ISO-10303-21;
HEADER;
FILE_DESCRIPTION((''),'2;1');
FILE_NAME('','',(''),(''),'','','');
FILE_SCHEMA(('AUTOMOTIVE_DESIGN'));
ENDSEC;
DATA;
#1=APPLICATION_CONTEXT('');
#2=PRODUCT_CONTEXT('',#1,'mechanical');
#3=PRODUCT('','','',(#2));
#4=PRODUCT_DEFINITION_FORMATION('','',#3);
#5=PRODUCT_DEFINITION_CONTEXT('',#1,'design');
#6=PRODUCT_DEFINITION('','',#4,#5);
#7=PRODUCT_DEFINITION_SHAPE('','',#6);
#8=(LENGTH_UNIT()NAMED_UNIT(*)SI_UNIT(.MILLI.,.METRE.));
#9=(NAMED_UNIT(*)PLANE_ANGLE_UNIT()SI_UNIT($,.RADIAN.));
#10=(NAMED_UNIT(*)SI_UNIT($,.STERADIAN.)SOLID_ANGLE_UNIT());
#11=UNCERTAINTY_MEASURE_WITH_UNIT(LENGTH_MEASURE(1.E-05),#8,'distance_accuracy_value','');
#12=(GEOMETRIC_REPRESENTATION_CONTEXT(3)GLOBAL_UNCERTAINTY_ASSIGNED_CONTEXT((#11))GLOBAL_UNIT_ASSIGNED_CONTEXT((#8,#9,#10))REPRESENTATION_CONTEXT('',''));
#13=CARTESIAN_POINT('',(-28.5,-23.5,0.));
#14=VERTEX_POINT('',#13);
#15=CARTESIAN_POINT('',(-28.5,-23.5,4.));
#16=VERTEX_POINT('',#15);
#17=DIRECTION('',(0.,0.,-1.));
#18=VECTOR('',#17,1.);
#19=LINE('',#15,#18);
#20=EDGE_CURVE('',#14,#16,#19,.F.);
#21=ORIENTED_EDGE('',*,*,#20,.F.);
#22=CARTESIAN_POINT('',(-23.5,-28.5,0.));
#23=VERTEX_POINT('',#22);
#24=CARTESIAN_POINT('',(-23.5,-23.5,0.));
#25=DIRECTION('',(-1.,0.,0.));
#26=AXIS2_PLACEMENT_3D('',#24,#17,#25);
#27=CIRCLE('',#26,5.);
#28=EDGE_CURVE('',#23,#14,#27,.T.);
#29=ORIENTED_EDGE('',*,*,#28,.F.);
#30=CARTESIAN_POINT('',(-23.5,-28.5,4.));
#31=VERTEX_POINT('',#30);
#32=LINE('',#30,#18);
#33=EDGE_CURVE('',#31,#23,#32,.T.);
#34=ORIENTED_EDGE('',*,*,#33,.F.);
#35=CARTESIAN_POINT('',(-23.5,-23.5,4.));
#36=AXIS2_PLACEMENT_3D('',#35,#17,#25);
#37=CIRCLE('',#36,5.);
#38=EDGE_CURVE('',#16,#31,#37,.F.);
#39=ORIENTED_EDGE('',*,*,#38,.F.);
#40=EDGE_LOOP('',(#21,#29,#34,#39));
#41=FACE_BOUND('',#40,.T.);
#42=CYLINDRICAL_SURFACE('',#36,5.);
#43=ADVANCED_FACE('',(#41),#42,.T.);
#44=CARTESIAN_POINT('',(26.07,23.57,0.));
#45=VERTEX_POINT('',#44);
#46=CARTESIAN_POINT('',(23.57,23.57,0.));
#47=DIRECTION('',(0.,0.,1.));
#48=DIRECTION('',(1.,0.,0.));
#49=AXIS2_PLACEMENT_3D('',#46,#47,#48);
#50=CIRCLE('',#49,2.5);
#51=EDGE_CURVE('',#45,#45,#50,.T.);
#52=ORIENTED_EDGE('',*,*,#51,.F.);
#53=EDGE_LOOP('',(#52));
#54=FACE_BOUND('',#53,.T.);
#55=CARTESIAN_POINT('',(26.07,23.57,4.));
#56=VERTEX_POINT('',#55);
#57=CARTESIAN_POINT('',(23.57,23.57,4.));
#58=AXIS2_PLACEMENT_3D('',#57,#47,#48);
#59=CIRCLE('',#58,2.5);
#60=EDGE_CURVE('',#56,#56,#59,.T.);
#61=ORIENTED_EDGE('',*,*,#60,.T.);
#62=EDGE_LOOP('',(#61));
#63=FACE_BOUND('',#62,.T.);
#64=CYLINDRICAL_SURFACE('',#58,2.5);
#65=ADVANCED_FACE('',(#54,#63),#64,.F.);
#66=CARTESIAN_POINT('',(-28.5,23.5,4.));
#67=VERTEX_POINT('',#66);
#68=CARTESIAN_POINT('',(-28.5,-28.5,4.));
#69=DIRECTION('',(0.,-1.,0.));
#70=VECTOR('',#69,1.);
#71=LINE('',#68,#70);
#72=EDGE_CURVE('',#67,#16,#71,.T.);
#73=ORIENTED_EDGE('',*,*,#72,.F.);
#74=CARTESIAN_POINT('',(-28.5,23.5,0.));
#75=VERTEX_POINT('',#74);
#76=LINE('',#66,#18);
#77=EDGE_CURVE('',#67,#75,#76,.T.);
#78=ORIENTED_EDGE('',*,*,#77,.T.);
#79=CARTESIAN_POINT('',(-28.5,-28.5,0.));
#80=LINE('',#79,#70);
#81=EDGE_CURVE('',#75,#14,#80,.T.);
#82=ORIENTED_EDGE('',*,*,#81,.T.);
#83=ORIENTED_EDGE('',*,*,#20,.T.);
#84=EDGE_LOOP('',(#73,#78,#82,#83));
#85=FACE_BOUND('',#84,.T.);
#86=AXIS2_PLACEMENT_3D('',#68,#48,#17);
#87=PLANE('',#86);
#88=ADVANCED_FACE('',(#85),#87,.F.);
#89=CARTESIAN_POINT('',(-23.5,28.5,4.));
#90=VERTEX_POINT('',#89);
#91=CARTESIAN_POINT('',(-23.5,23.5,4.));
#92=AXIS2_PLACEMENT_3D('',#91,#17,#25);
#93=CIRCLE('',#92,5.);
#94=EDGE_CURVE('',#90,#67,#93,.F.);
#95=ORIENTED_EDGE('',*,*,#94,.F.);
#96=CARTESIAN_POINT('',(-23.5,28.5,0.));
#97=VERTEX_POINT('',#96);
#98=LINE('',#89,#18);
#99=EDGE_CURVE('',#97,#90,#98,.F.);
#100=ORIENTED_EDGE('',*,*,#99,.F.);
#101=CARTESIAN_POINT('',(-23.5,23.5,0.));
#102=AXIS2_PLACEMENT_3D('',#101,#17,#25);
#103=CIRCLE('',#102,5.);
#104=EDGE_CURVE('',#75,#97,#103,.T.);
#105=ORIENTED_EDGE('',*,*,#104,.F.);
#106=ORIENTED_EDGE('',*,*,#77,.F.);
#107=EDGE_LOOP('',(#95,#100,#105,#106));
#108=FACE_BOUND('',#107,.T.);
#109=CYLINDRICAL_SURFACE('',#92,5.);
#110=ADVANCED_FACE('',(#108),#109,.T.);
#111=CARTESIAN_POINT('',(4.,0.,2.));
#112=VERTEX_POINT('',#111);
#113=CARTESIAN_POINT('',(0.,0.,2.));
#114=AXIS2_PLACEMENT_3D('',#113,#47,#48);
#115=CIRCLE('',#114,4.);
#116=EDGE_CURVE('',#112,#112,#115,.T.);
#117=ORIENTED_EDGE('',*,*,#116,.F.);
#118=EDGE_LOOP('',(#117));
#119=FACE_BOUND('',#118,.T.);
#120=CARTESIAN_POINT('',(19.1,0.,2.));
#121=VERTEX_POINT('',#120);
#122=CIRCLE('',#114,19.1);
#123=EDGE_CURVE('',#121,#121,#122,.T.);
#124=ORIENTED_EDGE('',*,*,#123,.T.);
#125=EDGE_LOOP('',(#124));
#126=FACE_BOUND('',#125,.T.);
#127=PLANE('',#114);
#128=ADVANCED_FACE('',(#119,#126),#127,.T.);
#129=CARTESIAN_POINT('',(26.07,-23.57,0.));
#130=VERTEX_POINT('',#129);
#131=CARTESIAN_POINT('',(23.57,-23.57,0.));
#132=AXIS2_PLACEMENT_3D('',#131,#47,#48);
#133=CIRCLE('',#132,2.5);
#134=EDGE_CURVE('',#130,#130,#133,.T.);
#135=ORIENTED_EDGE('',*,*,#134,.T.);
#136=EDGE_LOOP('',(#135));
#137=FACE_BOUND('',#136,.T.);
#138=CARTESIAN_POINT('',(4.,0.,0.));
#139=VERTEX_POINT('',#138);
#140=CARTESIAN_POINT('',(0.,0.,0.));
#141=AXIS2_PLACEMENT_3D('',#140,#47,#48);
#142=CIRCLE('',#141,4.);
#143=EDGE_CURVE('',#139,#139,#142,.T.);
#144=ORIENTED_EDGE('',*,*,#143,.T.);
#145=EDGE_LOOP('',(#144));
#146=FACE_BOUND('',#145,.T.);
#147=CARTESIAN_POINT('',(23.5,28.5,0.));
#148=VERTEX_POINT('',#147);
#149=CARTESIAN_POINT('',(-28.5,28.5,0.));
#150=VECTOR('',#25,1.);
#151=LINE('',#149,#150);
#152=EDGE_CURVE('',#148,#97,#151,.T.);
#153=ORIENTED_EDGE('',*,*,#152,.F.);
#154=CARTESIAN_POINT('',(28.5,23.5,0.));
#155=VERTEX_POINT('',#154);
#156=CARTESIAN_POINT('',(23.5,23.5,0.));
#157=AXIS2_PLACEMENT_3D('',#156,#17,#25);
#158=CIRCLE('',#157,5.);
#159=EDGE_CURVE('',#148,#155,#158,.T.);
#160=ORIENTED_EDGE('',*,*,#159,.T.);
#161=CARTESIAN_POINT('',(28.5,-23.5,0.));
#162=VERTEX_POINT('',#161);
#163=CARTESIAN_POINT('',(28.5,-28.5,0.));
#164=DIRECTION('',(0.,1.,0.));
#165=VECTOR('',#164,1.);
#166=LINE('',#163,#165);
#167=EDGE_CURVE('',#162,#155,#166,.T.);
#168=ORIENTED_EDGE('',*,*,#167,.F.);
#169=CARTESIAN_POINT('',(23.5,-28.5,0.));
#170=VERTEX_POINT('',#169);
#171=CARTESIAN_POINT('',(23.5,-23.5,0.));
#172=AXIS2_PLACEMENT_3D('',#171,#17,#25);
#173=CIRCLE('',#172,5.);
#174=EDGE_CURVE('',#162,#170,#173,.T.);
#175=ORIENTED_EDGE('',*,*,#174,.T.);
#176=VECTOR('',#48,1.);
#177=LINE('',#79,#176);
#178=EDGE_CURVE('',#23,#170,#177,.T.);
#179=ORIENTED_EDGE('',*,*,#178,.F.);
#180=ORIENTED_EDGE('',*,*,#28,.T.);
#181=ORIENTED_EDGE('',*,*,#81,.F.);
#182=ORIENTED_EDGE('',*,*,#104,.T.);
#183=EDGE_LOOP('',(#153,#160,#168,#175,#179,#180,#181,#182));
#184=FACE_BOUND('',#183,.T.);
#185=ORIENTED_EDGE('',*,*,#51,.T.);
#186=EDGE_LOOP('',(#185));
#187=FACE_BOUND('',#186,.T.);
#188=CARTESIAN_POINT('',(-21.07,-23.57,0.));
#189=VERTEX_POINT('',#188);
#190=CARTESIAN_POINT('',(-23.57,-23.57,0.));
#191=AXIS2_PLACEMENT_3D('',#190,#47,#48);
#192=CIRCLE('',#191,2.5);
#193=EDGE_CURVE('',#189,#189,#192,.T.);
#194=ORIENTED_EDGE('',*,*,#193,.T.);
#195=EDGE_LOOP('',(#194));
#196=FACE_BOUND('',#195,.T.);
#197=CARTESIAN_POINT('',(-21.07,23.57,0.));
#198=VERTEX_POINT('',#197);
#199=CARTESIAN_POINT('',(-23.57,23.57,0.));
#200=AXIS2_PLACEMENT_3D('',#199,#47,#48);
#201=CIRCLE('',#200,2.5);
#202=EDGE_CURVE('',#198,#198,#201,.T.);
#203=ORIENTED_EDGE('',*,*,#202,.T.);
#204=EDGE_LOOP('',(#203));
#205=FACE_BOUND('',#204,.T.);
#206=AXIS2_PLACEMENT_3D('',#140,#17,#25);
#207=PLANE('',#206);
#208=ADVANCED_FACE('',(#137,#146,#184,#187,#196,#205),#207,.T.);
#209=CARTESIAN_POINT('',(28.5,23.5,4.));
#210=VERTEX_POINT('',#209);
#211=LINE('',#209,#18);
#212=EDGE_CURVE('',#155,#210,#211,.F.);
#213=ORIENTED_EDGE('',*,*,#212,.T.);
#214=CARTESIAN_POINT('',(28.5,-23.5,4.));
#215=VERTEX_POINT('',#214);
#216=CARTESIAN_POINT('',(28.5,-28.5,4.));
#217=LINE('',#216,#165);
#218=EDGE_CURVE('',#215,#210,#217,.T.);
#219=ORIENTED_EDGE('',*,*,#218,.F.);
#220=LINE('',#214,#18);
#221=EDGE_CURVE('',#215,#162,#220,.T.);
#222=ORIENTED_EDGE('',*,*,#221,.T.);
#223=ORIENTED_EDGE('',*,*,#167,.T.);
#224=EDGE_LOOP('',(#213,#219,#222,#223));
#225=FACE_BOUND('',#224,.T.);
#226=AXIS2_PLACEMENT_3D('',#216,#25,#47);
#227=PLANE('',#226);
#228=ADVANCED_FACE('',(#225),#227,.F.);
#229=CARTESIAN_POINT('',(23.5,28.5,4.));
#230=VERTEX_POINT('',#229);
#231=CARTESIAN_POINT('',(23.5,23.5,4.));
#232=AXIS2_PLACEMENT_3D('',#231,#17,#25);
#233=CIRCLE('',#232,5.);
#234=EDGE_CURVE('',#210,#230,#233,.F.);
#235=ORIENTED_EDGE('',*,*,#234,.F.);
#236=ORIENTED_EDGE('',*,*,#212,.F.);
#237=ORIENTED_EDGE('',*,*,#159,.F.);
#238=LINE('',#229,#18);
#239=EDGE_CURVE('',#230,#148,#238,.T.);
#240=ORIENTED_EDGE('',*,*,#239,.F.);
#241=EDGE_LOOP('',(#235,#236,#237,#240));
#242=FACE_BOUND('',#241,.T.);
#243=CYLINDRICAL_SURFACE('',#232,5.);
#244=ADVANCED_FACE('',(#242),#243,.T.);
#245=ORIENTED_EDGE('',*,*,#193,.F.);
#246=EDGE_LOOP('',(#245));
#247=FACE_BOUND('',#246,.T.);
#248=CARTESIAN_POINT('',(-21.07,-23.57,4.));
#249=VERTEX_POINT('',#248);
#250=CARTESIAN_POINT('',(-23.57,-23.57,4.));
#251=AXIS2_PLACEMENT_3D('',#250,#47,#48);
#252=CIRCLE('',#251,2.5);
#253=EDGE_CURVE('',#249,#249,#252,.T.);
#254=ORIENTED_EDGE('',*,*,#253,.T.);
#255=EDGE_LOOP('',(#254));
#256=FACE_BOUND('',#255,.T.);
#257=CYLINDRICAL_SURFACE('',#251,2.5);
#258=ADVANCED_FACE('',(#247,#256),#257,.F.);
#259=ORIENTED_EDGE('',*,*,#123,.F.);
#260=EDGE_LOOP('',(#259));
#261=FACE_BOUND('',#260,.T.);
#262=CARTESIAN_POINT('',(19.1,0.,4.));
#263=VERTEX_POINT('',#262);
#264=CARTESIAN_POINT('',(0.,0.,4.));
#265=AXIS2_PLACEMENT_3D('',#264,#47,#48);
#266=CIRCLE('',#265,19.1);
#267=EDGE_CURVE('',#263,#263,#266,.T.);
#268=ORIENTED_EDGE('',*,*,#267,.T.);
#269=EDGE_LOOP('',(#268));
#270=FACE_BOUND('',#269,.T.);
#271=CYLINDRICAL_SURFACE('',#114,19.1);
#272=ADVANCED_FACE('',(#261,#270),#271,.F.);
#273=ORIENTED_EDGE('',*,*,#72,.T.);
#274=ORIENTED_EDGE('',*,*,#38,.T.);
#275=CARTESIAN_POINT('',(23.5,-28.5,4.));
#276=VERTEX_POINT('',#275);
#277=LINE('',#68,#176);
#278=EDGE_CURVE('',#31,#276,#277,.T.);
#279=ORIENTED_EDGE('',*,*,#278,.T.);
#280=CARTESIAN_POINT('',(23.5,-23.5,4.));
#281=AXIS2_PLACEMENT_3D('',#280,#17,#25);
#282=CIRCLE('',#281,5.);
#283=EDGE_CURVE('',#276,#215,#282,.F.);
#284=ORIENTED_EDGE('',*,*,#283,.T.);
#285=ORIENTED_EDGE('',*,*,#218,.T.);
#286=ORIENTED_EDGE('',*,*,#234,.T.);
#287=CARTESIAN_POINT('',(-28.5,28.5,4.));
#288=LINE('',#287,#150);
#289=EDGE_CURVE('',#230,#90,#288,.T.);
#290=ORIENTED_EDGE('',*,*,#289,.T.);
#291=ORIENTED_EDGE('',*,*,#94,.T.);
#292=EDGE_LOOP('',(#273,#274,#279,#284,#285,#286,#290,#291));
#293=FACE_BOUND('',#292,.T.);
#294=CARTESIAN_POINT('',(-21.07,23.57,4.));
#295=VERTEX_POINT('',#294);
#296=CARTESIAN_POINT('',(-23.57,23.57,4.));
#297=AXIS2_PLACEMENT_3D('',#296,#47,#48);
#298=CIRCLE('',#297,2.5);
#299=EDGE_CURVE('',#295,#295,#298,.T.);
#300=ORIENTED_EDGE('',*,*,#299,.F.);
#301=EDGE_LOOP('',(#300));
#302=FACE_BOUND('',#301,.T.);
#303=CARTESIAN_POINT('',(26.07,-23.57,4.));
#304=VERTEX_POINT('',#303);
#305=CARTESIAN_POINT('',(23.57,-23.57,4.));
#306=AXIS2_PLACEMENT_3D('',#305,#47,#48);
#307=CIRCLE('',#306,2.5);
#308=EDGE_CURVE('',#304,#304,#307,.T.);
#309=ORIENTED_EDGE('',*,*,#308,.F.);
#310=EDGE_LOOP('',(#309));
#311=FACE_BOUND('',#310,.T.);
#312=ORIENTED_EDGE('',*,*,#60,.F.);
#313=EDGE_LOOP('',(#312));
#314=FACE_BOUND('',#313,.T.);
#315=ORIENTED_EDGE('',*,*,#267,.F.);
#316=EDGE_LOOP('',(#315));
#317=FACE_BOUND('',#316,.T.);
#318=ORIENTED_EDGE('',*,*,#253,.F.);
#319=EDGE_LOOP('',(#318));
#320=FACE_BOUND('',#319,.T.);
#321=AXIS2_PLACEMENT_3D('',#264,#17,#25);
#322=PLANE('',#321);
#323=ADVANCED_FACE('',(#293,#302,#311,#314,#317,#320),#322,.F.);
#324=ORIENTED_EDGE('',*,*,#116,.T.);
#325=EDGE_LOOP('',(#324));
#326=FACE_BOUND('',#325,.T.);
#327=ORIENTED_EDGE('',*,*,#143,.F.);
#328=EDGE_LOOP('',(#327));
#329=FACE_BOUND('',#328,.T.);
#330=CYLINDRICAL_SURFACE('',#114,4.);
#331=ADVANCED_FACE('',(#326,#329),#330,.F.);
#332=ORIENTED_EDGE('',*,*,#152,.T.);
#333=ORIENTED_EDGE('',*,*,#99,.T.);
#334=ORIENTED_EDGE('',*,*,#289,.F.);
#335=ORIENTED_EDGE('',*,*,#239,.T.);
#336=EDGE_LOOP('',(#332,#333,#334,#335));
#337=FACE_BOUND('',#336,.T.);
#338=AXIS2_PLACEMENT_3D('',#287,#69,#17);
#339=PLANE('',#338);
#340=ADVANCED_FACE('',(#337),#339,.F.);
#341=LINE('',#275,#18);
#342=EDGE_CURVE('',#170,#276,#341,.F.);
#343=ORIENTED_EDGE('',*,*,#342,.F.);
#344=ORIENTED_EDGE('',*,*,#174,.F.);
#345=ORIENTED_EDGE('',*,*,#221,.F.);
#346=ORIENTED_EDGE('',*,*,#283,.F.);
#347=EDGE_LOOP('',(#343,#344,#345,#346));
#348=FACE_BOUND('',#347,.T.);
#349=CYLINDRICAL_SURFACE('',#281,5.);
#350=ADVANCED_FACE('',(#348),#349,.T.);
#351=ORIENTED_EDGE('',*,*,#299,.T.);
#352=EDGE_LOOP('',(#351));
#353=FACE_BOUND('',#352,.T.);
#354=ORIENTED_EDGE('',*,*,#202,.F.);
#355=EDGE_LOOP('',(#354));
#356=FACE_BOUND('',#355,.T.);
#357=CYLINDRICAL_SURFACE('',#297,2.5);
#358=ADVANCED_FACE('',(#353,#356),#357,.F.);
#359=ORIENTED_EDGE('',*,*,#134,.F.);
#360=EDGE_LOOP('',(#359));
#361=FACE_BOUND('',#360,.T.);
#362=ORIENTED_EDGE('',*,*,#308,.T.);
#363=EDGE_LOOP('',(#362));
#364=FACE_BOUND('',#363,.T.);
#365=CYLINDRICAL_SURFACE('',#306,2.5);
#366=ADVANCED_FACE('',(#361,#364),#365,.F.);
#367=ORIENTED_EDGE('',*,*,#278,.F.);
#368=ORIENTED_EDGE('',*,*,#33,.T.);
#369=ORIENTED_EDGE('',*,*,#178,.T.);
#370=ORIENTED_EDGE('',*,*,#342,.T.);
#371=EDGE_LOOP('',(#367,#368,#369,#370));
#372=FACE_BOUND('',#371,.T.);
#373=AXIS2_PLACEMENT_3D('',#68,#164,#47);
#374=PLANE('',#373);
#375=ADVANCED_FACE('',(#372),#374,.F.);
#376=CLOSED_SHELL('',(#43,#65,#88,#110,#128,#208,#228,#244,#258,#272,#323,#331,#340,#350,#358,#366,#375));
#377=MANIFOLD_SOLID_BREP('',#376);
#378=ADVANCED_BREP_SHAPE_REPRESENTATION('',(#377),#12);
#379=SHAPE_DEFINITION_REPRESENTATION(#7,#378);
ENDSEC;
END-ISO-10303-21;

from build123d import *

# Parameters (mm, degrees)
SKIZZE1_W                       = 57
SKIZZE1_H                       = 57
AUFSATZ_LINEAR_AUSTRAGEN1_DEPTH = 4
F_5_0_5_DURCHMESSER_BOHRUNG2_D  = 5
VERRUNDUNG1_R                   = 5
SKIZZE6_R                       = 19.1
SCHNITT_LINEAR_AUSTRAGEN1_DEPTH = 2
F_8_0_8_DURCHMESSER_BOHRUNG1_D  = 8


with BuildPart() as part:
    # Skizze1 → Aufsatz-Linear austragen1 (new body)
    with BuildSketch(Plane.XY):
        Rectangle(SKIZZE1_W, SKIZZE1_H)
    extrude(amount=AUFSATZ_LINEAR_AUSTRAGEN1_DEPTH)

    # Ø5.0 (5) Durchmesser Bohrung2 (through all)
    with Locations(Plane.XY.offset(4)):
        with Locations((-23.57, 23.57), (23.57, 23.57), (23.57, -23.57), (-23.57, -23.57)):
            Hole(F_5_0_5_DURCHMESSER_BOHRUNG2_D / 2)

    # Verrundung1
    verrundung1_edges = [part.edges().sort_by_distance(p)[0] for p in [
        (28.5, -28.5, 2),
        (-28.5, -28.5, 2),
        (-28.5, 28.5, 2),
        (28.5, 28.5, 2),
    ]]
    fillet(verrundung1_edges, radius=VERRUNDUNG1_R)

    # Skizze6 → Schnitt-Linear austragen1 (cut)
    with BuildSketch(Plane.XY.offset(4)):
        Circle(SKIZZE6_R)
    extrude(amount=-SCHNITT_LINEAR_AUSTRAGEN1_DEPTH, mode=Mode.SUBTRACT)

    # Ø8.0 (8) Durchmesser Bohrung1 (through all)
    with Locations(Plane.XY.offset(2)):
        with Locations((0, 0)):
            Hole(F_8_0_8_DURCHMESSER_BOHRUNG1_D / 2)


solid = part.part
